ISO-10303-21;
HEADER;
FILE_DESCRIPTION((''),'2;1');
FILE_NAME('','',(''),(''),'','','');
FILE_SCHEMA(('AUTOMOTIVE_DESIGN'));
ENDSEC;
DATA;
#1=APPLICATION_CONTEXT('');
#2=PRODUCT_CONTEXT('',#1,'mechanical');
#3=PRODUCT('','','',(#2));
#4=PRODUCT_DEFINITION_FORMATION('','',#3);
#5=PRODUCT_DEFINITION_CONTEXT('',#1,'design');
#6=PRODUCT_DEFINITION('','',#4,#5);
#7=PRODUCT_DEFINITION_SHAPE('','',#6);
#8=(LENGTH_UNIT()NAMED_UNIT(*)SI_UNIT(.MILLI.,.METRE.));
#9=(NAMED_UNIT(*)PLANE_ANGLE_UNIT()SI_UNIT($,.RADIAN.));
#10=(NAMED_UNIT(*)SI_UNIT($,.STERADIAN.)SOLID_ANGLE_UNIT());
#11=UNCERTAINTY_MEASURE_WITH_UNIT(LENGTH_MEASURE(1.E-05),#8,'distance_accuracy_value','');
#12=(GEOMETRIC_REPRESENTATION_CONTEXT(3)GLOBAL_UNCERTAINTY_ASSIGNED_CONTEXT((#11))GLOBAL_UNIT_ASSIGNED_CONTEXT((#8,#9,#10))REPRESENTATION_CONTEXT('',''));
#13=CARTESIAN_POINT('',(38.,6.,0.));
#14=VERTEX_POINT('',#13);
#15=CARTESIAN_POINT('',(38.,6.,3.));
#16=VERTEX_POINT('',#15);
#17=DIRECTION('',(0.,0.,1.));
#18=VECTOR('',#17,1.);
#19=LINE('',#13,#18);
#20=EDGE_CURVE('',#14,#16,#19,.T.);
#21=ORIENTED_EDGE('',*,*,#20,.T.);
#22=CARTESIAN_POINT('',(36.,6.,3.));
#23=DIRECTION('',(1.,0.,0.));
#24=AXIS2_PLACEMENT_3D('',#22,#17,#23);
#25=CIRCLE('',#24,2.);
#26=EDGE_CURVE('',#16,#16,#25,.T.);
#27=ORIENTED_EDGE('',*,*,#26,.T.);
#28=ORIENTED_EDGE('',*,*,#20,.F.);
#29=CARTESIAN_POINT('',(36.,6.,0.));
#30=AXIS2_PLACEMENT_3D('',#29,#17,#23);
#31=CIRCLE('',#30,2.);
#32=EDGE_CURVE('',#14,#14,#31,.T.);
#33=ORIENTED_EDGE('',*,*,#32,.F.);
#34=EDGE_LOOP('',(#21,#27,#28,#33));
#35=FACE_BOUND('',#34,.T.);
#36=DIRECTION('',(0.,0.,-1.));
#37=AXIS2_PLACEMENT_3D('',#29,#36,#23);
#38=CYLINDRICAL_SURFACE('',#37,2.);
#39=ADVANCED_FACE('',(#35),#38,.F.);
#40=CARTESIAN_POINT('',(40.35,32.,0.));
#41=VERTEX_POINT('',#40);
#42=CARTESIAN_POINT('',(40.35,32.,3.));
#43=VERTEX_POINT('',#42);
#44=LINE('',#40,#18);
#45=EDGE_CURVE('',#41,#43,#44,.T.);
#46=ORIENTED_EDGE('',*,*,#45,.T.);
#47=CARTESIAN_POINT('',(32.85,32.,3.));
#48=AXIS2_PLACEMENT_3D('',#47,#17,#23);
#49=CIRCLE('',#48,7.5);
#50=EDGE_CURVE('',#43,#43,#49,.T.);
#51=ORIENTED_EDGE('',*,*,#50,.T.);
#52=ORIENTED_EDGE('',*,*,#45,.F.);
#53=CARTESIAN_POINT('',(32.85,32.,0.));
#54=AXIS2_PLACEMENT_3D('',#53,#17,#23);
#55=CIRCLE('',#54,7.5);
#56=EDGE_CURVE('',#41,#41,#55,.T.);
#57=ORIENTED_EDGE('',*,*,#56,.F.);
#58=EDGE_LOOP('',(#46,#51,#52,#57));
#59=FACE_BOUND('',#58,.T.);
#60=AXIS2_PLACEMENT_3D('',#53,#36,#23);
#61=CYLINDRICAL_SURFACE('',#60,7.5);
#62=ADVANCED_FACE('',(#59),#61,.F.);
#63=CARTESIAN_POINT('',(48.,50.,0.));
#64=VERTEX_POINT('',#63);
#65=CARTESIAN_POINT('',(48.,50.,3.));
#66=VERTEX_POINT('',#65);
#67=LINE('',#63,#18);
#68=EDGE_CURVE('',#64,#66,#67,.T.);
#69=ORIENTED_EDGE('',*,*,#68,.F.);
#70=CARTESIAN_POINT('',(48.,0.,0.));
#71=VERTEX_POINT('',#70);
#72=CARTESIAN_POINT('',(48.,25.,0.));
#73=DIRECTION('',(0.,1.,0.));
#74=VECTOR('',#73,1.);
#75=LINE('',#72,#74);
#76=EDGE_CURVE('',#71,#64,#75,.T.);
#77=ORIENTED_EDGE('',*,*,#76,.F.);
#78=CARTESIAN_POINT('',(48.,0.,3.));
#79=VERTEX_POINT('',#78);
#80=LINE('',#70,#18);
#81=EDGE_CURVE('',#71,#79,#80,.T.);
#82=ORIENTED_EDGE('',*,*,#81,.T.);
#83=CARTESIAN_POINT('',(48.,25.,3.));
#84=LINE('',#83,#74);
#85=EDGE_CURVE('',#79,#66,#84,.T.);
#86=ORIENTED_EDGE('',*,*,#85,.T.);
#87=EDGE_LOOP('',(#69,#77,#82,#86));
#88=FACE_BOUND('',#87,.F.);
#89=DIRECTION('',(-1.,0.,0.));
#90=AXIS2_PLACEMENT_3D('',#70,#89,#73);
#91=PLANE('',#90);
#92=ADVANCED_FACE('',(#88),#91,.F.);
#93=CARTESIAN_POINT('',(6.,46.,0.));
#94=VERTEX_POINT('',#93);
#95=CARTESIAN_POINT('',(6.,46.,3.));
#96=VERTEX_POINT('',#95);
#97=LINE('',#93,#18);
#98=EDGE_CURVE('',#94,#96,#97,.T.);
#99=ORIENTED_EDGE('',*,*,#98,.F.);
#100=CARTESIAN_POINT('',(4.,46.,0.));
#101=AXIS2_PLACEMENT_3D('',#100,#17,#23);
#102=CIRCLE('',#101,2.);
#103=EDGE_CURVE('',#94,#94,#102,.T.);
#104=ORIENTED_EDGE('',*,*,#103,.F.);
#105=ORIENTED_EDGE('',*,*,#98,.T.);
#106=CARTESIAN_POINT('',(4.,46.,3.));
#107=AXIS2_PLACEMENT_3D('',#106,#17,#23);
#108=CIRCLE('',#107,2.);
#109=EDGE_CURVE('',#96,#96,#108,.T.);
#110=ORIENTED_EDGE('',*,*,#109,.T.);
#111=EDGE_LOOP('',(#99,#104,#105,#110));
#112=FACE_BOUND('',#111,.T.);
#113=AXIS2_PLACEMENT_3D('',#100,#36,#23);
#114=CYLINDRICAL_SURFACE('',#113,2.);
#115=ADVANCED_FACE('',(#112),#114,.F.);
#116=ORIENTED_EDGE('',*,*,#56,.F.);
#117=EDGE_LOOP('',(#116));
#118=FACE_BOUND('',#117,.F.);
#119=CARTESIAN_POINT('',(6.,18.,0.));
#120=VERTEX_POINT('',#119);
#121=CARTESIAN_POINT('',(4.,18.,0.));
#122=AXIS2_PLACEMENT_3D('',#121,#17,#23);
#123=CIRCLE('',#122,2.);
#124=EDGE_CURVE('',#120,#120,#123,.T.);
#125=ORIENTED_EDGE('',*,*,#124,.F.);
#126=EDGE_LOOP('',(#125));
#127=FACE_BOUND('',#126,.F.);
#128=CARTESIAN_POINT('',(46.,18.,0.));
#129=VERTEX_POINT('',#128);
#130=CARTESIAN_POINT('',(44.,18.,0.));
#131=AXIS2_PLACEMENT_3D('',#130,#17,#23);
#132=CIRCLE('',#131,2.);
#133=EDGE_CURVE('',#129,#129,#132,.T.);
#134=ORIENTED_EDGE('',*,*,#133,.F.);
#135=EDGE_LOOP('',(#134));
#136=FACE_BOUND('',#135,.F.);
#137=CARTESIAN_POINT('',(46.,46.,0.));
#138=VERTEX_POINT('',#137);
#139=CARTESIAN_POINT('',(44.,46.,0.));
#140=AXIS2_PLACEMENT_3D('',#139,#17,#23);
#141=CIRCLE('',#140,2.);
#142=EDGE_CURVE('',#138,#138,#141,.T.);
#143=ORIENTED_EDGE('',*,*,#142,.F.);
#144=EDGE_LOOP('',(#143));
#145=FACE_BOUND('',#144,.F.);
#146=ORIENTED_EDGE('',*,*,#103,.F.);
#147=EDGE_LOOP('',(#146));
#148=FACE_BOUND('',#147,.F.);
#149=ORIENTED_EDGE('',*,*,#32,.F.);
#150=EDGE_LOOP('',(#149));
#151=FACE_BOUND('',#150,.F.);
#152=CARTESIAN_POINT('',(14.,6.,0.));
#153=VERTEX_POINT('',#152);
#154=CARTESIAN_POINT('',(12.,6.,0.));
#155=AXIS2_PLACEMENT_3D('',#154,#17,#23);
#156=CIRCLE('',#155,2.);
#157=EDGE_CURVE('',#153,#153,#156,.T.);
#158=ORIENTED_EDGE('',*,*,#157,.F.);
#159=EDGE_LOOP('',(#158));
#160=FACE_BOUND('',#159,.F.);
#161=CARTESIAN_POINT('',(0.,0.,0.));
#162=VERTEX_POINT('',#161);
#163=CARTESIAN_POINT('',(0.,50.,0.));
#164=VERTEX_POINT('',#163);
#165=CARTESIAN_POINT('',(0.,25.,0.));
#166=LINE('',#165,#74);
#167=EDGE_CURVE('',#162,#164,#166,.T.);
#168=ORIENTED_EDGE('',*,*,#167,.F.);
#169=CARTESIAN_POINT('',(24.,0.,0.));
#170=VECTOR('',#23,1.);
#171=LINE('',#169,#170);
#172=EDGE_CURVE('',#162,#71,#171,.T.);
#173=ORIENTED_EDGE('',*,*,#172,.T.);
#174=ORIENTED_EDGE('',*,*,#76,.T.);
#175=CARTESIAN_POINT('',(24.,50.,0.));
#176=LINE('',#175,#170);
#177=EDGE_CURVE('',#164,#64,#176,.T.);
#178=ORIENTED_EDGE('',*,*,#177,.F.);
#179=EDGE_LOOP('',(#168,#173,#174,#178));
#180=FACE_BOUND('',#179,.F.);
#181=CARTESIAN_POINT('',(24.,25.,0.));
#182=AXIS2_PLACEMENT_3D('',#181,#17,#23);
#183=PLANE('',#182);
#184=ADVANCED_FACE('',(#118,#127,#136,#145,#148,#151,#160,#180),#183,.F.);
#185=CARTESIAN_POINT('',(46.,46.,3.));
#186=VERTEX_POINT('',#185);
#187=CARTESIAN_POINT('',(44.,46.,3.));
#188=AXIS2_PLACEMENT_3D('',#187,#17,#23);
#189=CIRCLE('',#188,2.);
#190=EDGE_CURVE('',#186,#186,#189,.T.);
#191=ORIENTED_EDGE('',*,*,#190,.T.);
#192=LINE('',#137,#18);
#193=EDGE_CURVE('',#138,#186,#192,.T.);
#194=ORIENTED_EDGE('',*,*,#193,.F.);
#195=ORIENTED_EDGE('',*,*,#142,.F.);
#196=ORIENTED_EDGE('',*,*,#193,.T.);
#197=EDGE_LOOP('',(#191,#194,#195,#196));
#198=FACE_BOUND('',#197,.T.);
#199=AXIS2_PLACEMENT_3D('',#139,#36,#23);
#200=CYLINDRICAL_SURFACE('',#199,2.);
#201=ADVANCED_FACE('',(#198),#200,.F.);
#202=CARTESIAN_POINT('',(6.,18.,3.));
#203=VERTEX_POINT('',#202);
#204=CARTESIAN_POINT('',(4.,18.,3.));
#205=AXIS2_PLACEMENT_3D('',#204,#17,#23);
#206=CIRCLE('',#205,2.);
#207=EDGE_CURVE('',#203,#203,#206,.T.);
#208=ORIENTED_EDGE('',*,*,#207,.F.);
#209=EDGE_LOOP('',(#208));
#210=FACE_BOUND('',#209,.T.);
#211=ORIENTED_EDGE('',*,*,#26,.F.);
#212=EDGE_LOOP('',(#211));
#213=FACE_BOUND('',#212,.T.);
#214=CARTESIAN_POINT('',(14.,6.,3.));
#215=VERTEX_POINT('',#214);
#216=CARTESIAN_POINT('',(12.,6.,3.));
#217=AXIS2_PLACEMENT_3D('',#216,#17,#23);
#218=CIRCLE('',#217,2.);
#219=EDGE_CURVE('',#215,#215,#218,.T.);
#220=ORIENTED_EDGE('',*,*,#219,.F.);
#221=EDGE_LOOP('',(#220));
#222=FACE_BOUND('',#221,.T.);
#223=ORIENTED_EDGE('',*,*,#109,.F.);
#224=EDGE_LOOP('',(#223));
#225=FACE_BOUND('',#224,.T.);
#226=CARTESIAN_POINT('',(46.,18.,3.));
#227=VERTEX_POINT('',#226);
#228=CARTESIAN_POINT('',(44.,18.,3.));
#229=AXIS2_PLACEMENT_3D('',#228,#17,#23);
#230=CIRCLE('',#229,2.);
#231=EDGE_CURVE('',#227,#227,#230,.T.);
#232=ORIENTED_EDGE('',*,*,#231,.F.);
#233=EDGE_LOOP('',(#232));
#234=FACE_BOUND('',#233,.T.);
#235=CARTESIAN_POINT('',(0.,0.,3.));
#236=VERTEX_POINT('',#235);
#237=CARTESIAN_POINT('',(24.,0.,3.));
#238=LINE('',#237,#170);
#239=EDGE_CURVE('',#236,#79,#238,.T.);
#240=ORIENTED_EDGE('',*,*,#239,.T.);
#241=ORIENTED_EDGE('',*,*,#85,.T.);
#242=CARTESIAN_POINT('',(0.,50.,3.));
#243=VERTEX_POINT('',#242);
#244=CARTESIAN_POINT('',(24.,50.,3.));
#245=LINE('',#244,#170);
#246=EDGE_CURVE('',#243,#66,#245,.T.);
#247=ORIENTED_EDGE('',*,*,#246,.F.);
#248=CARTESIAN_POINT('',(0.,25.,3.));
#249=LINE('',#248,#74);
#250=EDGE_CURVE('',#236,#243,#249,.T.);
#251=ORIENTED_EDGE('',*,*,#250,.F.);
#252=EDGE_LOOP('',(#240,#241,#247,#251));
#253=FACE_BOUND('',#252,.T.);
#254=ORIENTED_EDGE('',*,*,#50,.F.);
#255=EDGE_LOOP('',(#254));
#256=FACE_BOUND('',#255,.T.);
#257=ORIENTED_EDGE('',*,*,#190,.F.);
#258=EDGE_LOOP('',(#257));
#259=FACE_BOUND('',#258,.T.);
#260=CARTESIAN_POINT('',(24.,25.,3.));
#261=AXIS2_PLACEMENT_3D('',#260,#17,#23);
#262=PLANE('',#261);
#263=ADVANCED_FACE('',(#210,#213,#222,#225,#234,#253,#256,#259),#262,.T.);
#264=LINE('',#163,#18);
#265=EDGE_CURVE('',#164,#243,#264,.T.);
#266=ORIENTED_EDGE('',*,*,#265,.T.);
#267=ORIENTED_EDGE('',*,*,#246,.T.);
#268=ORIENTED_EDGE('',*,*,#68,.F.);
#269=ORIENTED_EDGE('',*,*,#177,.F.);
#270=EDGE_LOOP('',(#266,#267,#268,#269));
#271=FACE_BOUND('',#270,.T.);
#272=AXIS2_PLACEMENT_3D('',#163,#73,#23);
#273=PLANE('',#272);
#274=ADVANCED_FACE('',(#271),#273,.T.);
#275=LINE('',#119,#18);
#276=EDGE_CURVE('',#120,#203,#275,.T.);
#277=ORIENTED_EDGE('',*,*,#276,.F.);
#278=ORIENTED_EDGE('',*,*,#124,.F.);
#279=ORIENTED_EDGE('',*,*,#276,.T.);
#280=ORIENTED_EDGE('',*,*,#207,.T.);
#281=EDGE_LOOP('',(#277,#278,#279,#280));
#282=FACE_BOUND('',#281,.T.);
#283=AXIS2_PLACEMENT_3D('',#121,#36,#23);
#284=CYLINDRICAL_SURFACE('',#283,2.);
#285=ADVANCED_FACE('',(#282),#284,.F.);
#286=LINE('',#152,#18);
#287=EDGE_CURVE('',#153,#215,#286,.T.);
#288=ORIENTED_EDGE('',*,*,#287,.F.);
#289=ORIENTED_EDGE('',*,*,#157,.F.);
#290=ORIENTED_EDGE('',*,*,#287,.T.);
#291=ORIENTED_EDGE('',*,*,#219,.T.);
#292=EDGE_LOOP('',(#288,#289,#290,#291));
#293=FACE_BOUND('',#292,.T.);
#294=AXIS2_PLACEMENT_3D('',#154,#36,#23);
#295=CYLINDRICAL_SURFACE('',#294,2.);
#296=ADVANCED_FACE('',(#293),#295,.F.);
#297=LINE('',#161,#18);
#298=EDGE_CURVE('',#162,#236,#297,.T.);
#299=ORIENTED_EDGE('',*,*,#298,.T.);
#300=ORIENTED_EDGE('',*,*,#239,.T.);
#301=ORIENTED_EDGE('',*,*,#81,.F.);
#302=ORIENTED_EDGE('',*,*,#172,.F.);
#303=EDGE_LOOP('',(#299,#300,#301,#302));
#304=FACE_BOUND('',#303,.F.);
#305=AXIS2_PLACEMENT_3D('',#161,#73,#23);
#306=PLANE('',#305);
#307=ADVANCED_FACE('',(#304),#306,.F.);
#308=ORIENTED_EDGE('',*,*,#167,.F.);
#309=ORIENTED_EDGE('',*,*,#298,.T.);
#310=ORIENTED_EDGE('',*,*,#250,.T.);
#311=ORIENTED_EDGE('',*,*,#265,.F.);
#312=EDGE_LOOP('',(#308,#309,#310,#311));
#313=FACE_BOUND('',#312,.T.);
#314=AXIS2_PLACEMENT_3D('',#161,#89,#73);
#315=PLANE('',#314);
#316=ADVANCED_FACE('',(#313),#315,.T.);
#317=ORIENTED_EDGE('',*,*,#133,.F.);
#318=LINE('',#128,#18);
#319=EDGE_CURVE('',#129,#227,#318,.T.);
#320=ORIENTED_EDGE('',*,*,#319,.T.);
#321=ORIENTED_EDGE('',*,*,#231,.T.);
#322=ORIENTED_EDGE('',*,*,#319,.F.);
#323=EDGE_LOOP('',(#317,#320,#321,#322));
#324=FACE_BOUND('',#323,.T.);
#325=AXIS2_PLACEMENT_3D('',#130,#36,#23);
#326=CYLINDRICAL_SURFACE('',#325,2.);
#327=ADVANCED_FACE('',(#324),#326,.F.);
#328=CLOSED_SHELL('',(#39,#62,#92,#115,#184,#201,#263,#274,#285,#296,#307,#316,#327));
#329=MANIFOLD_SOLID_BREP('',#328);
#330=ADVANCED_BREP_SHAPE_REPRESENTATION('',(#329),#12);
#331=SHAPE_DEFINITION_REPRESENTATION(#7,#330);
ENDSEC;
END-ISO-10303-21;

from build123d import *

# Parameters (mm, degrees)
SKETCH2_W           = 48
SKETCH2_H           = 50
SKETCH2_R           = 2
SKETCH2_R_2         = 7.5
BOSS_EXTRUDE2_DEPTH = 3


with BuildPart() as part:
    # Sketch2 → Boss-Extrude2 (new body)
    with BuildSketch(Plane.XY):
        with Locations((24, 25)):
            Rectangle(SKETCH2_W, SKETCH2_H)
        with Locations((4, 46)):
            Circle(SKETCH2_R, mode=Mode.SUBTRACT)
        with Locations((44, 46)):
            Circle(SKETCH2_R, mode=Mode.SUBTRACT)
        with Locations((44, 18)):
            Circle(SKETCH2_R, mode=Mode.SUBTRACT)
        with Locations((4, 18)):
            Circle(SKETCH2_R, mode=Mode.SUBTRACT)
        with Locations((32.85, 32)):
            Circle(SKETCH2_R_2, mode=Mode.SUBTRACT)
        with Locations((12, 6)):
            Circle(SKETCH2_R, mode=Mode.SUBTRACT)
        with Locations((36, 6)):
            Circle(SKETCH2_R, mode=Mode.SUBTRACT)
    extrude(amount=BOSS_EXTRUDE2_DEPTH)


solid = part.part
